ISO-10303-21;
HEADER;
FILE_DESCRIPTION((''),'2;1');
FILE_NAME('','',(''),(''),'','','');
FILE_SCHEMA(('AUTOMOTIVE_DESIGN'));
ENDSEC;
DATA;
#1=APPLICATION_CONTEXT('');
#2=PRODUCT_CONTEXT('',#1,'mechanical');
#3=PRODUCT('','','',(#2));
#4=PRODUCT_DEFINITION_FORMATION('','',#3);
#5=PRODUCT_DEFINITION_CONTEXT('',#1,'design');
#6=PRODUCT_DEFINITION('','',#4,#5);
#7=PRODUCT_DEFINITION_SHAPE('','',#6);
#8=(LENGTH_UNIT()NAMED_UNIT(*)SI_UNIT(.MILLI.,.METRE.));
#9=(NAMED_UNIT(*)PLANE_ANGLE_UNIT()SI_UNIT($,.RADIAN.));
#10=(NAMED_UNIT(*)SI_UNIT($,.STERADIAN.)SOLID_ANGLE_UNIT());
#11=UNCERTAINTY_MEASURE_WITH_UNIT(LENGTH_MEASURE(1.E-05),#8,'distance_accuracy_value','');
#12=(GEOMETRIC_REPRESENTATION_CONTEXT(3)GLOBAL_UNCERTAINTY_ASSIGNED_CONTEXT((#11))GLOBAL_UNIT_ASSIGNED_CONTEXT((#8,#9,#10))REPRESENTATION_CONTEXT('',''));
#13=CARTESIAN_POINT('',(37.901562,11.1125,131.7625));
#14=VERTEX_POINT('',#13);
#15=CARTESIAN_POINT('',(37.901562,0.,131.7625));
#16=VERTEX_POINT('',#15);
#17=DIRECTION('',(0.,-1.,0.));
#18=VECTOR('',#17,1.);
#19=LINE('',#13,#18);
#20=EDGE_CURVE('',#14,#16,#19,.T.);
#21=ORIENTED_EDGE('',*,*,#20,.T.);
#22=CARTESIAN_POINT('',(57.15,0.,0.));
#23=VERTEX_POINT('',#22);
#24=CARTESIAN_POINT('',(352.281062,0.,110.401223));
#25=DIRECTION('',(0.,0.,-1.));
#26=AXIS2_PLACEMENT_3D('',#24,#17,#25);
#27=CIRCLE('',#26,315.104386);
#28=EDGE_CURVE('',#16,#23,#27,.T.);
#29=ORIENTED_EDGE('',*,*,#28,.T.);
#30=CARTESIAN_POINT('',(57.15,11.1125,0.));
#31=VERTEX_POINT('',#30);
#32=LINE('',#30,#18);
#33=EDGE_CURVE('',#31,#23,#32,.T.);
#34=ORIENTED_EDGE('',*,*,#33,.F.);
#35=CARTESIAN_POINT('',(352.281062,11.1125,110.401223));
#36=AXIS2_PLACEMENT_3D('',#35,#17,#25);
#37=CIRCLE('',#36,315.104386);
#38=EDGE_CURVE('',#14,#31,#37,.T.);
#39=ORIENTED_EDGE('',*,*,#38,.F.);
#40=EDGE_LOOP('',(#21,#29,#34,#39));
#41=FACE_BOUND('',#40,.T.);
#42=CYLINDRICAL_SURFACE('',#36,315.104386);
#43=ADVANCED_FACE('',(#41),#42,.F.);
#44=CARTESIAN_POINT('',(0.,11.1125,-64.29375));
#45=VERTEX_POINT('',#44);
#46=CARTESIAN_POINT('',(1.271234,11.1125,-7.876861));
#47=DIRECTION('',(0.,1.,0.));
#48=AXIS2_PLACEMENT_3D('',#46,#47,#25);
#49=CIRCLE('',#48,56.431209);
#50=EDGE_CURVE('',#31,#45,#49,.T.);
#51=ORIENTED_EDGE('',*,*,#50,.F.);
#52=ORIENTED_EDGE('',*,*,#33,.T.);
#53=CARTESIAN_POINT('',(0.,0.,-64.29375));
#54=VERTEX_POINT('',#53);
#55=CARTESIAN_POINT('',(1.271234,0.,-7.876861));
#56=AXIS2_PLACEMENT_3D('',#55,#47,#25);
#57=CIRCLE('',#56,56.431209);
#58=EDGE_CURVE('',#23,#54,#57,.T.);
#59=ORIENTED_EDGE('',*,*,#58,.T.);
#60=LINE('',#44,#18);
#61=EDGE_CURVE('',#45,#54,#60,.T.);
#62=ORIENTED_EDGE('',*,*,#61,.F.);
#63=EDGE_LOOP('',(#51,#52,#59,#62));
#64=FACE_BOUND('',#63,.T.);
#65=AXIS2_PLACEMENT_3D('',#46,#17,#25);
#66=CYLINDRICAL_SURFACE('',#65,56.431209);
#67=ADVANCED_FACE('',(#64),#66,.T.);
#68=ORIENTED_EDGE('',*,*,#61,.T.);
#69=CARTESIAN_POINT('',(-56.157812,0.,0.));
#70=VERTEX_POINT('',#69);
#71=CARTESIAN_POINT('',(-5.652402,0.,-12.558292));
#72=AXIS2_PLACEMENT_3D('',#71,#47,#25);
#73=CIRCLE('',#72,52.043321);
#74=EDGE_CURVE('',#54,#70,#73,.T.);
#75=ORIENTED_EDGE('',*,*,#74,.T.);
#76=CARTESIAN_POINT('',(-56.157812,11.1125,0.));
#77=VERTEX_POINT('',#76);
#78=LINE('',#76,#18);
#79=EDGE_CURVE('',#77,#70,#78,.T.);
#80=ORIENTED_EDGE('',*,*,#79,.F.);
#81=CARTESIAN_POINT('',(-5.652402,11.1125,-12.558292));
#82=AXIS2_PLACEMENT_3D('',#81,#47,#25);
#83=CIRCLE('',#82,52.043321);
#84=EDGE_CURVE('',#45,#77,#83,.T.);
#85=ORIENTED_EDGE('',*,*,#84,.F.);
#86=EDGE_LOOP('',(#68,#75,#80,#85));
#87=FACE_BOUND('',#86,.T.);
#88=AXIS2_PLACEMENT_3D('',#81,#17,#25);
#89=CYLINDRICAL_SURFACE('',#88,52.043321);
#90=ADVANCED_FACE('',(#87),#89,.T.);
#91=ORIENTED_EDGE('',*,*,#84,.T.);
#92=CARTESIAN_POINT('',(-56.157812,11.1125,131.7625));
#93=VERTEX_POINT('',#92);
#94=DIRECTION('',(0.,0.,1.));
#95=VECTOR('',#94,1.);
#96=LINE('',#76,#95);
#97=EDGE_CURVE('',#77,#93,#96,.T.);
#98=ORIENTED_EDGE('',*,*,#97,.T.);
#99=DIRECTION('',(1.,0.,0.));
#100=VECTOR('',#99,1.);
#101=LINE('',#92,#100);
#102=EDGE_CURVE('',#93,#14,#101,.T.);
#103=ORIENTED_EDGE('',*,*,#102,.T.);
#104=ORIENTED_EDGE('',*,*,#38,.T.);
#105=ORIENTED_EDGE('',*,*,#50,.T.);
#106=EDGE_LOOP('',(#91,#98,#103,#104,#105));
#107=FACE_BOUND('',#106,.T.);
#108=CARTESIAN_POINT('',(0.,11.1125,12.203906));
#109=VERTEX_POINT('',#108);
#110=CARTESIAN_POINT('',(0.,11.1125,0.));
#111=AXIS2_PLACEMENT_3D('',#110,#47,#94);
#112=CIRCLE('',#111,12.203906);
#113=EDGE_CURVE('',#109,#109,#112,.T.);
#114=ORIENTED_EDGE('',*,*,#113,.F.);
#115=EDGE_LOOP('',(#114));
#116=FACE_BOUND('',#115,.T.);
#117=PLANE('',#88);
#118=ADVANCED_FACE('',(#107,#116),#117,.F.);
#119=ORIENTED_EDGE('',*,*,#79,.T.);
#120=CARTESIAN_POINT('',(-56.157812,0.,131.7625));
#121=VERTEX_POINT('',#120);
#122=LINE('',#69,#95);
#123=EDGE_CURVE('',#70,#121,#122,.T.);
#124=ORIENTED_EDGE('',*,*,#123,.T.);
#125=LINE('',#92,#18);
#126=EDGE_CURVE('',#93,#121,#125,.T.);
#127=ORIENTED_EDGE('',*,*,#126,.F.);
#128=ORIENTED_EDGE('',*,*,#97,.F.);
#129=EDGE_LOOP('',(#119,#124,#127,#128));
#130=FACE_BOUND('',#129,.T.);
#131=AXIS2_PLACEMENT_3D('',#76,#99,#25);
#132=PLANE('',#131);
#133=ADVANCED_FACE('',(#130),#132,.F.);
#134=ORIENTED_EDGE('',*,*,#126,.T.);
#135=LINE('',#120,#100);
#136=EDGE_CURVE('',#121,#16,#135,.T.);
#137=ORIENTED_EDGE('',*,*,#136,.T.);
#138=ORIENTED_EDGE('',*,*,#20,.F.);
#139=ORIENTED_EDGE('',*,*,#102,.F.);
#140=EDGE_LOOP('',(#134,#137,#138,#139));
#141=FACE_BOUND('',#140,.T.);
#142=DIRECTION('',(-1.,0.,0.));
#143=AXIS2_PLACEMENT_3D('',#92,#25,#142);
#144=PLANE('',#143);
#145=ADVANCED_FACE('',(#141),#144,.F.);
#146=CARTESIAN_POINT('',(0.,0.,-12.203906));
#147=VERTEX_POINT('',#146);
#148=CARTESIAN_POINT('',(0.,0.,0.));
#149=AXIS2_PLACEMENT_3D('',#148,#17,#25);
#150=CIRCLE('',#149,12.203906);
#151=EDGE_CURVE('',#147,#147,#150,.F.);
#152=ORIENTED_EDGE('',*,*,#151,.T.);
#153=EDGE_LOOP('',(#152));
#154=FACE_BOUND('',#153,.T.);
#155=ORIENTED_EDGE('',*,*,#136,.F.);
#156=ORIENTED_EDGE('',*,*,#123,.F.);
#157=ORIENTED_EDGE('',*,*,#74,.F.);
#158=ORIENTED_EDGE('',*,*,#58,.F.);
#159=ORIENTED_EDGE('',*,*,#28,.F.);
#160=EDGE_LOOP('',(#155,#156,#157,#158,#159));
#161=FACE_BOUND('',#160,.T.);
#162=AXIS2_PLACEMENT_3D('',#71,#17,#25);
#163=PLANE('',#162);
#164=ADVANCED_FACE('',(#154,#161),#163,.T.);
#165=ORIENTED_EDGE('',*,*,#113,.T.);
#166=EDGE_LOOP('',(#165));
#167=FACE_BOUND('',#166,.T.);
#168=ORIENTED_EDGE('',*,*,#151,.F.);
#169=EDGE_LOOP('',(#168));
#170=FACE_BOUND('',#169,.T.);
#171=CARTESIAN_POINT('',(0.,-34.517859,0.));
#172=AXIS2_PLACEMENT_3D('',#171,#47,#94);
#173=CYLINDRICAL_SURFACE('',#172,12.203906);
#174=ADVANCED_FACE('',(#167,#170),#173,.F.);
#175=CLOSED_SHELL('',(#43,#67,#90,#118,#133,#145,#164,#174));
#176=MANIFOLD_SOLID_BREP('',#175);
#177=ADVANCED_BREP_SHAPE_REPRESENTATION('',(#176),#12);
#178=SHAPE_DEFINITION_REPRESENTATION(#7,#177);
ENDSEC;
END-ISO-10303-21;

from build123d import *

# Parameters (mm, degrees)
SKETCH1_R           = 7.9375
BOSS_EXTRUDE1_DEPTH = 11.1125
SKETCH2_R           = 12.20390625
CUT_EXTRUDE1_DEPTH  = 11.1125


with BuildPart() as part:
    # Sketch1 → Boss-Extrude1 (new body)
    with BuildSketch(Plane(origin=(0, 0, 0), x_dir=(1, 0, 0), z_dir=(0, 1, 0))):
        with BuildLine():
            Line((-56.1578125, 0), (-56.1578125, -131.7625))
            Line((-56.1578125, -131.7625), (37.9015625, -131.7625))
            ThreePointArc((37.9015625, -131.7625), (40.48606485, -64.852857695), (57.15, 0))
            ThreePointArc((57.15, 0), (43.44844613, 45.367716005), (0, 64.29375))
            ThreePointArc((0, 64.29375), (-44.848953518, 46.794786657), (-56.1578125, 0))
        make_face()
        Circle(SKETCH1_R, mode=Mode.SUBTRACT)
    extrude(amount=BOSS_EXTRUDE1_DEPTH)

    # Sketch2 → Cut-Extrude1 (cut)
    with BuildSketch(Plane(origin=(0, 11.1125, 0), x_dir=(1, 0, 0), z_dir=(0, 1, 0))):
        Circle(SKETCH2_R)
    extrude(amount=-CUT_EXTRUDE1_DEPTH, mode=Mode.SUBTRACT)


solid = part.part
